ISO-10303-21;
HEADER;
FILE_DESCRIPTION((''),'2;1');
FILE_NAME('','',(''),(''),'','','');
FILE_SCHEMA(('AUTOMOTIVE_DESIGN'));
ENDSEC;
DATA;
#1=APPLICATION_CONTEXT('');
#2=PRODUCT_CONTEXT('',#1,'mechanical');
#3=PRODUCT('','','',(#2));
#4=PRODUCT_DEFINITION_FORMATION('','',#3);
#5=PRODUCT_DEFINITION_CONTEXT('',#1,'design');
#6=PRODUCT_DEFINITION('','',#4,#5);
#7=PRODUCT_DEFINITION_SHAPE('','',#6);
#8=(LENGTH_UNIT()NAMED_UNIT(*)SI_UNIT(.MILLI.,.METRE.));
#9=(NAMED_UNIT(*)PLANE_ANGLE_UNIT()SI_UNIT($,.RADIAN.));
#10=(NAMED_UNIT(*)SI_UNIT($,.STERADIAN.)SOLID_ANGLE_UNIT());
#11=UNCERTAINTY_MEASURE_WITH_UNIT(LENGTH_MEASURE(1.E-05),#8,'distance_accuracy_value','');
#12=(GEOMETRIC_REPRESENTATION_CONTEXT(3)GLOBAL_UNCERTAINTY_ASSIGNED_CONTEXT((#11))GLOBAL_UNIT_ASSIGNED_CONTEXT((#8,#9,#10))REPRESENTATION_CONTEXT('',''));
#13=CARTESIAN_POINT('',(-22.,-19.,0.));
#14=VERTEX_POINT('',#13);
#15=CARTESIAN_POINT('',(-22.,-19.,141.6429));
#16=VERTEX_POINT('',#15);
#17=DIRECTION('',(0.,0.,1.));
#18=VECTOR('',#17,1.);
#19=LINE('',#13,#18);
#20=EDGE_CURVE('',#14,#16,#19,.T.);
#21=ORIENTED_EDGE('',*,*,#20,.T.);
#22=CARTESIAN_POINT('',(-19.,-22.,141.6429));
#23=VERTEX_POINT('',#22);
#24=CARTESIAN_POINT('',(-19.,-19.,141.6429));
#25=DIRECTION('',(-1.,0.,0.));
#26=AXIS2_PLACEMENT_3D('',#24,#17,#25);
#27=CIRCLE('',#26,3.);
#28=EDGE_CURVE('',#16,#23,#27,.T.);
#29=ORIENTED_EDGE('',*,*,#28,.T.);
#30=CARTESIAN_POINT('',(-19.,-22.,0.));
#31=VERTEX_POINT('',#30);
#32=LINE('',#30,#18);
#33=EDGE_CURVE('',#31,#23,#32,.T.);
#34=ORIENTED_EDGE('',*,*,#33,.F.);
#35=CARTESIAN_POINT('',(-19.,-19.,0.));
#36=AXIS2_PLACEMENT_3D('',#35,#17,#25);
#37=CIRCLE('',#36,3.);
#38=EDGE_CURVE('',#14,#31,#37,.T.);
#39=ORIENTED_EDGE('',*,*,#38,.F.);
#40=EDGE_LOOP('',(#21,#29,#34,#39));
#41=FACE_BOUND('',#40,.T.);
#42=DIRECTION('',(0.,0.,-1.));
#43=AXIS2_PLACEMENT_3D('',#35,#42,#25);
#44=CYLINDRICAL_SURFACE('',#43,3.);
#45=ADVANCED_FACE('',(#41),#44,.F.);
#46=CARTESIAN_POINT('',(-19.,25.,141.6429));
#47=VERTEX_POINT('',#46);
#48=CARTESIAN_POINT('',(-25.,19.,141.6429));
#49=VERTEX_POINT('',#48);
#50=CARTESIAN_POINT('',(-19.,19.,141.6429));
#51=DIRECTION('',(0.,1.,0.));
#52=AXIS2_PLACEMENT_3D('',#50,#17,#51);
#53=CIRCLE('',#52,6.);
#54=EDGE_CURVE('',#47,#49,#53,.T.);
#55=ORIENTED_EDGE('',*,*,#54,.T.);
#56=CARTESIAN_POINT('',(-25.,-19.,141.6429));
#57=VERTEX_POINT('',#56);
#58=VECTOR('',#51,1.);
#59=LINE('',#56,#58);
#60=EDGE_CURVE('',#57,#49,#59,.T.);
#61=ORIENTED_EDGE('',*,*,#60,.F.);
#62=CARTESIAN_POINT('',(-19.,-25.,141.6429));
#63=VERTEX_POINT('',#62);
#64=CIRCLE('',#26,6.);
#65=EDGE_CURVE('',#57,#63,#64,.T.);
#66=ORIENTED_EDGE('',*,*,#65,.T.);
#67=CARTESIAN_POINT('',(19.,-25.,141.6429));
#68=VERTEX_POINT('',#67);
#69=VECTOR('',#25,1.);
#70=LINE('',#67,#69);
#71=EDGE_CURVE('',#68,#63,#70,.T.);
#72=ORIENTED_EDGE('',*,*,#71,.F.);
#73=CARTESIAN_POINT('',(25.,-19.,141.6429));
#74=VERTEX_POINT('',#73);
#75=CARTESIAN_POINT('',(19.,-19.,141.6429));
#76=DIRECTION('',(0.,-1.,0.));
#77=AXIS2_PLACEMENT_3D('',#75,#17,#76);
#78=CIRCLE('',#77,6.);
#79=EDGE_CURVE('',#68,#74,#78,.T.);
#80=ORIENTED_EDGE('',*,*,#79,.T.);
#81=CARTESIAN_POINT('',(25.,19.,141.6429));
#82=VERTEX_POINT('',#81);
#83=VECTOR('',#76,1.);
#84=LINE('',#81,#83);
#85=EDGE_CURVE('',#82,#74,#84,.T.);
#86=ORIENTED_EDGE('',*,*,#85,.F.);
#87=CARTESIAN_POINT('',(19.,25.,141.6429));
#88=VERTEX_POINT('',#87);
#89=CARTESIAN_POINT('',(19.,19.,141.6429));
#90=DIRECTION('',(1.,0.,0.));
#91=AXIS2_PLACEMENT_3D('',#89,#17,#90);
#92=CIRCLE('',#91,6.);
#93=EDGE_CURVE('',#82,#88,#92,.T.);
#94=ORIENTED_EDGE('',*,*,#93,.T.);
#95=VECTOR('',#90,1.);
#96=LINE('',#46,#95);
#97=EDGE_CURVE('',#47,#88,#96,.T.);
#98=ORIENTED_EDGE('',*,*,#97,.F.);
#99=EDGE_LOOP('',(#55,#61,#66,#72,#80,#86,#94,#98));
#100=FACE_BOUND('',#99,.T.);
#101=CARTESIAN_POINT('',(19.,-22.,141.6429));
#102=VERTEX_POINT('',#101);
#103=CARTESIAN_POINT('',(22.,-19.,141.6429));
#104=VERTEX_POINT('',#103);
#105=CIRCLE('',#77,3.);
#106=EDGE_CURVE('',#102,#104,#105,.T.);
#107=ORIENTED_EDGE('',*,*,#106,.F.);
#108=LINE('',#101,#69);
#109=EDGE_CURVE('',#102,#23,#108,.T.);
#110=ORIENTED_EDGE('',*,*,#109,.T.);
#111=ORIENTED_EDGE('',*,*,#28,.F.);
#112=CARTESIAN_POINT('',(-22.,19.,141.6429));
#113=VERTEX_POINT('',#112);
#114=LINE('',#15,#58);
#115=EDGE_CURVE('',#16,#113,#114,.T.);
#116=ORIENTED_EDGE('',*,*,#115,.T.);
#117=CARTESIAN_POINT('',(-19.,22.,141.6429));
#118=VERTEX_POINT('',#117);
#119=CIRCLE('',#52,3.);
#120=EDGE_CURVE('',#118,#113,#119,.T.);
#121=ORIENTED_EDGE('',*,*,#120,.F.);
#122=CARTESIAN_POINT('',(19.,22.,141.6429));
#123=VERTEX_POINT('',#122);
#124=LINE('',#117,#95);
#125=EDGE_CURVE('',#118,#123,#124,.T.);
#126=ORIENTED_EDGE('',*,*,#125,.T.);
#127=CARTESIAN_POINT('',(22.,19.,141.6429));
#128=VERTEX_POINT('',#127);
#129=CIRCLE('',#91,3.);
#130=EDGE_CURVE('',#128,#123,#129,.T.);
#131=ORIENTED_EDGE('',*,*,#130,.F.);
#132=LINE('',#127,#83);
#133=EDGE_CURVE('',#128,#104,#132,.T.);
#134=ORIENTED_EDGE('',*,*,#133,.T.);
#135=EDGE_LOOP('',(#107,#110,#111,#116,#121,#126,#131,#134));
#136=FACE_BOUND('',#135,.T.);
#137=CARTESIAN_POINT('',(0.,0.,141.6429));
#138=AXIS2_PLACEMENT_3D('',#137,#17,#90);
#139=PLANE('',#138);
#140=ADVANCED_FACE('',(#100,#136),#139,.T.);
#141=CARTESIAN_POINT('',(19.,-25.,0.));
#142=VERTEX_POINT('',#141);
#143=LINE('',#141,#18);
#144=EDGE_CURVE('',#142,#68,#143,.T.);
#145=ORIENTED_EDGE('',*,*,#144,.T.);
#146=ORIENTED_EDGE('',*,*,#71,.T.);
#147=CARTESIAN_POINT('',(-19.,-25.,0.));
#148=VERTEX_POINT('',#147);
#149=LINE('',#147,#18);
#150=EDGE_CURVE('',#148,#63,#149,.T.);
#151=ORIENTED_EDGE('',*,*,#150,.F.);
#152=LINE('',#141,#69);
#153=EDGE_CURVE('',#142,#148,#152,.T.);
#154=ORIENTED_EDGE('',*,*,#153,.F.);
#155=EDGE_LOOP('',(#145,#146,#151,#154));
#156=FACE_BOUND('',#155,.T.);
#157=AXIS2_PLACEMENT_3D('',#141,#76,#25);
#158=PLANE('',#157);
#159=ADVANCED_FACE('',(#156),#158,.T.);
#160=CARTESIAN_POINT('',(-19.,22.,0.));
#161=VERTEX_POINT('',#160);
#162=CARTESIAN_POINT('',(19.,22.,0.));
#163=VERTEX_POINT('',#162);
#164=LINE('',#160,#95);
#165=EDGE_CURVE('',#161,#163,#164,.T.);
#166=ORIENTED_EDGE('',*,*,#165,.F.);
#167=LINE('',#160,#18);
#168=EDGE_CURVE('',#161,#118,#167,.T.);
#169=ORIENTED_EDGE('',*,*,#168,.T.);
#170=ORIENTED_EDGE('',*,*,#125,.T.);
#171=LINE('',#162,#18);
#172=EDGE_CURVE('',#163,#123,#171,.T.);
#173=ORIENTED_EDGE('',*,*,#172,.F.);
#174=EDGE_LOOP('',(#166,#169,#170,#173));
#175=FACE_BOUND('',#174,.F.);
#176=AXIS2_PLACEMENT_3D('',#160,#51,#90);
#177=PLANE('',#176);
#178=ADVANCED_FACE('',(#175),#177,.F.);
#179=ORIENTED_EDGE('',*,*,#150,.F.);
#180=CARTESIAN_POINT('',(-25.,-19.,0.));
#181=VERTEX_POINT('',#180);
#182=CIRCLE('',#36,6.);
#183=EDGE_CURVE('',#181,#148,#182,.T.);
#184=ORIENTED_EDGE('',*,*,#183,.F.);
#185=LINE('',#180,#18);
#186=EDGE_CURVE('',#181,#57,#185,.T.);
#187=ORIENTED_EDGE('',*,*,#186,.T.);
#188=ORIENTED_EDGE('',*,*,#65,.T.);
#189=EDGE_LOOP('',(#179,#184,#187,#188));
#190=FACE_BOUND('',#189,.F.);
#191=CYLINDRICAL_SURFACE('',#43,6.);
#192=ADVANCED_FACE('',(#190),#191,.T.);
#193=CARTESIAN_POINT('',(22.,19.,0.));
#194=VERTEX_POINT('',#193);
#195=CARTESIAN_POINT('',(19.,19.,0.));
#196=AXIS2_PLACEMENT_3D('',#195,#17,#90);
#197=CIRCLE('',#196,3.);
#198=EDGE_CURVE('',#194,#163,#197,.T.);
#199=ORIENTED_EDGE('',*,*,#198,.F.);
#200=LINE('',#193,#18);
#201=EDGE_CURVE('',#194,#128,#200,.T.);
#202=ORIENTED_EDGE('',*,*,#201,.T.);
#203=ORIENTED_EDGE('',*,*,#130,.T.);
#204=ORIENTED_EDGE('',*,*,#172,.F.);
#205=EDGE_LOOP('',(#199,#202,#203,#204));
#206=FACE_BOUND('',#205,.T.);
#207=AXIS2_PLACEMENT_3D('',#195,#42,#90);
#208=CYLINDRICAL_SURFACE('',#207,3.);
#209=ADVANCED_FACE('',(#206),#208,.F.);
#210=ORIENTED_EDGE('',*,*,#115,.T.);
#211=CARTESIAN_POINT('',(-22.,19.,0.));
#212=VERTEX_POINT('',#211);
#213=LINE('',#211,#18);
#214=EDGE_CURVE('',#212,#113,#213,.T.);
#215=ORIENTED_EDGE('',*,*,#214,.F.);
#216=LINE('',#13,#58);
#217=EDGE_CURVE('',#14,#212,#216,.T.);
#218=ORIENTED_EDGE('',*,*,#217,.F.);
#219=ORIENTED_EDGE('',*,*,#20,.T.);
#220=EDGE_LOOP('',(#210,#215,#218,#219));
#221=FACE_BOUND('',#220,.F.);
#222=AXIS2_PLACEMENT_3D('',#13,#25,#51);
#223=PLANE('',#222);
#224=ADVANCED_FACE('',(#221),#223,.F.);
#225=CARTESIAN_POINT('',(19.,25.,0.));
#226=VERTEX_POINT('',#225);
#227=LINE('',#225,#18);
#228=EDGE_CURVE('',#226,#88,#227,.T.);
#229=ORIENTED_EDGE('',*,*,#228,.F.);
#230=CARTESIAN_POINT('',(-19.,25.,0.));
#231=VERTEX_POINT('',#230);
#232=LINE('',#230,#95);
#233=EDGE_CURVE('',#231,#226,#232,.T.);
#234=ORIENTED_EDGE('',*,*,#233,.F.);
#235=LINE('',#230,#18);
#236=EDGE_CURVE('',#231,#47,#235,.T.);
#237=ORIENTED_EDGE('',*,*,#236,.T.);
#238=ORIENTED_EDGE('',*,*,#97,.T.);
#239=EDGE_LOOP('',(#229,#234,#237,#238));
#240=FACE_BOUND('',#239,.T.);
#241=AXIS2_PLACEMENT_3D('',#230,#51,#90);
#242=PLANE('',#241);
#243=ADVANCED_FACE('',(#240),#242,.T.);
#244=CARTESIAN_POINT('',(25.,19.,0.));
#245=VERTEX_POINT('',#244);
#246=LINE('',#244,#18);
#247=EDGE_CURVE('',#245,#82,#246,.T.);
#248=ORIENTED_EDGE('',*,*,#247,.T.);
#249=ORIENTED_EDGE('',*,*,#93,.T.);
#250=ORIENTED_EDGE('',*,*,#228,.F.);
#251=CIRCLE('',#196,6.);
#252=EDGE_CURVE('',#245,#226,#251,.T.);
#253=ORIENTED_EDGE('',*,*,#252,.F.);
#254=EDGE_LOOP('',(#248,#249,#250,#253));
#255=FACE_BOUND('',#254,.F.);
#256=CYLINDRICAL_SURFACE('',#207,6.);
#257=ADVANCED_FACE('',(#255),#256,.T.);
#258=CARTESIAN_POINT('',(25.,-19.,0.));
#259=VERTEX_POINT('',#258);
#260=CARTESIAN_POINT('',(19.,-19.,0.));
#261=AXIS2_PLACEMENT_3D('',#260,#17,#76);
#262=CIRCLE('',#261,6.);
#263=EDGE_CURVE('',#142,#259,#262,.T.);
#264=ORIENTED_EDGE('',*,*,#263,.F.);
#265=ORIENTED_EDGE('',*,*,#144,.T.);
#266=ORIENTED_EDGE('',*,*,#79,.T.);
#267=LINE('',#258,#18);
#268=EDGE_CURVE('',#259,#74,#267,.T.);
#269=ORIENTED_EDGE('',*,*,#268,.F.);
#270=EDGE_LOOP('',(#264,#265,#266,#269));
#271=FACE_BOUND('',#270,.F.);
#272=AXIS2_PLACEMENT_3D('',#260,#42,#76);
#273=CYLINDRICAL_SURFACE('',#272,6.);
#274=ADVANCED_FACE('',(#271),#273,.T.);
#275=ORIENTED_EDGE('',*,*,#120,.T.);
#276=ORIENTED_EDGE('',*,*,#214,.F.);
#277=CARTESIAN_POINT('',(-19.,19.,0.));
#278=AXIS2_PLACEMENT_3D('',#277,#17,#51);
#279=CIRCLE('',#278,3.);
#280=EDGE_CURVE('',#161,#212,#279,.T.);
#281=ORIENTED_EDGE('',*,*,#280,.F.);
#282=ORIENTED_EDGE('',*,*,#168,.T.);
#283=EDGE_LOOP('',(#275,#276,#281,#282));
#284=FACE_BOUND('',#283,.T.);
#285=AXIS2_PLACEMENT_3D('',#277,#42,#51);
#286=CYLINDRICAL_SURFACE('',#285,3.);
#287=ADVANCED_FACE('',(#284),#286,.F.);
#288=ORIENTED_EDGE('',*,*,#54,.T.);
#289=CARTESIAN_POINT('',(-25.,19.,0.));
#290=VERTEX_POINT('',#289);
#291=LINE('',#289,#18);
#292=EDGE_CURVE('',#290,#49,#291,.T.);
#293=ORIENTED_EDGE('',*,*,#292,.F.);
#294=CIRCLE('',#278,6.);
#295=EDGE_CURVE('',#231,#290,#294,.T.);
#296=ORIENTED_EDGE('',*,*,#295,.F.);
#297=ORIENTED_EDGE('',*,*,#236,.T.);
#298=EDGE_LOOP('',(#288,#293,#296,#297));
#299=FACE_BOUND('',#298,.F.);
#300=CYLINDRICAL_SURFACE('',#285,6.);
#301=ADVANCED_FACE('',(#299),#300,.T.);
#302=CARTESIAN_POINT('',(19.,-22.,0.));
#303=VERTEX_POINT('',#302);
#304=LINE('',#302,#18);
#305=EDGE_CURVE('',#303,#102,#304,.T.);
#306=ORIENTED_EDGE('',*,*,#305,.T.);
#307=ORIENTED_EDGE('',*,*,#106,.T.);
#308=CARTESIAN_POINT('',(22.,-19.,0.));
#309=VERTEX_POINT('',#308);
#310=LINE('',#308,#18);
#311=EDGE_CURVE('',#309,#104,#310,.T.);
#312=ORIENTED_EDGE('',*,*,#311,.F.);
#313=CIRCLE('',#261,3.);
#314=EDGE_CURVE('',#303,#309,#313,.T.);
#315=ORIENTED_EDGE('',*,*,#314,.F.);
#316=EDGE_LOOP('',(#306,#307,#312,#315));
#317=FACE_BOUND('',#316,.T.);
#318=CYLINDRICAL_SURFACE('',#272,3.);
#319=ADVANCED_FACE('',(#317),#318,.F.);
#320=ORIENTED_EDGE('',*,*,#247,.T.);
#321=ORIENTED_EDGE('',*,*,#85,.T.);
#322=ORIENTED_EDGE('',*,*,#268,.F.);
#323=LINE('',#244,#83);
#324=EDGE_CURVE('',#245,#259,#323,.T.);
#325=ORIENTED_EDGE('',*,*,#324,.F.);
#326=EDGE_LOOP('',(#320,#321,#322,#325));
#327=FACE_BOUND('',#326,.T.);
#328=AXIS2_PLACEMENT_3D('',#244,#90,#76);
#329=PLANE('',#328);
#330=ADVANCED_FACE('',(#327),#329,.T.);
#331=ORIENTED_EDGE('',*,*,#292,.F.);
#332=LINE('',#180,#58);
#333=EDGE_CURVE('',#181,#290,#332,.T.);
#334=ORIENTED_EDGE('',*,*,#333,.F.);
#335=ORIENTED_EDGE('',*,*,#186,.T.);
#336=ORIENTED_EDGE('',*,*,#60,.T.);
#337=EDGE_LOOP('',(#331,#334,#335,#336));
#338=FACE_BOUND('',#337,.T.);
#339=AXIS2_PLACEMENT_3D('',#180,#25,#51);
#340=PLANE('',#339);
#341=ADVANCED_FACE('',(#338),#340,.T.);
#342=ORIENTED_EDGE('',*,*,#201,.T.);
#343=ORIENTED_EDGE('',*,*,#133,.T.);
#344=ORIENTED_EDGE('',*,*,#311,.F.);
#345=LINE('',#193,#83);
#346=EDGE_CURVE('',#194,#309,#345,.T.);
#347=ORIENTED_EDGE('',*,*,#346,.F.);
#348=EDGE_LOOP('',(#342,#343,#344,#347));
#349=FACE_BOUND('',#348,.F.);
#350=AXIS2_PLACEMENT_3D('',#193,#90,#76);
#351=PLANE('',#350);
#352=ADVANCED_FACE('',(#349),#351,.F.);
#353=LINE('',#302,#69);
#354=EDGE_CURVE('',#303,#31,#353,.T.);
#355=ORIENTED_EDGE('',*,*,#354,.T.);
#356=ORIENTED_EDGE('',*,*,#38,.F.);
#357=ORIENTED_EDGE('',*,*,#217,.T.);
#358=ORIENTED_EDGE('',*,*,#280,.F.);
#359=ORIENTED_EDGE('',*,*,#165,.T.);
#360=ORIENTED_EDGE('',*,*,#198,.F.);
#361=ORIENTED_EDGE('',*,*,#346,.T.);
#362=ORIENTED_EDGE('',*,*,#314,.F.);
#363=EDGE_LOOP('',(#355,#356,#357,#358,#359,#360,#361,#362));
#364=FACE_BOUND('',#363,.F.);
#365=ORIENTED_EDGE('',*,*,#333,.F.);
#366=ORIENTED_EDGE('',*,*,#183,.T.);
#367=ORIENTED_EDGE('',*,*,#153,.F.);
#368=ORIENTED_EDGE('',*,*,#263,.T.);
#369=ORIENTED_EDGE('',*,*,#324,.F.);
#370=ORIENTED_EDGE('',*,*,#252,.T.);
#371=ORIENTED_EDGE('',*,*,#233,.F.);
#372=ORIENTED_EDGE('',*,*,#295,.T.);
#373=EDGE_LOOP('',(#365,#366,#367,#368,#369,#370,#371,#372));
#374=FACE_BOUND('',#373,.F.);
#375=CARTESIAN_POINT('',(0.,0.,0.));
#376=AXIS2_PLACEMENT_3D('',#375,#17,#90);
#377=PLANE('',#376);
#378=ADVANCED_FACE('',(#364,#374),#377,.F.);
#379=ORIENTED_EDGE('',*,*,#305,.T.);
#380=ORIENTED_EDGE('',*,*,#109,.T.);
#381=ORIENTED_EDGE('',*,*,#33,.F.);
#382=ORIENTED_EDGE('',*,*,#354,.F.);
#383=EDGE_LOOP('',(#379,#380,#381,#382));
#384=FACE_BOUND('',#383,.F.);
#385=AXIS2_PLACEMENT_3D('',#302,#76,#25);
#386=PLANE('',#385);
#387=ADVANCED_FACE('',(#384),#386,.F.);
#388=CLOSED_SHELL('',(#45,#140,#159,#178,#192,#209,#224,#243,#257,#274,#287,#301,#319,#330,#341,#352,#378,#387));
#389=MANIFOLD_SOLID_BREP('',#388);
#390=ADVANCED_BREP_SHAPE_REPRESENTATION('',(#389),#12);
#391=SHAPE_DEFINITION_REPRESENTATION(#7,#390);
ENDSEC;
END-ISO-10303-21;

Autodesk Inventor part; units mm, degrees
ref_plane "YZ Plane" through (0, 0, 0) normal (1, 0, 0) x (0, 1, 0)
ref_plane "Start Plane" through (0, 0, 0) normal (0, 0, 1) x (1, 0, 0)
ref_plane "End Plane" through (0, 0, 141.6429) normal (0, 0, 1) x (1, 0, 0)
sketch "Sketch" plane through (0, 0, 0) normal (0, 0, 1) x (1, 0, 0)
  line L0 (-25, -19) -> (-25, 19)
  line L1 (-19, 25) -> (19, 25)
  line L2 (25, 19) -> (25, -19)
  line L3 (19, -25) -> (-19, -25)
  arc A0 (-25, -19) -> (-19, -25) centre (-19, -19) ccw
  arc A1 (25, 19) -> (19, 25) centre (19, 19) ccw
  arc A2 (-19, 25) -> (-25, 19) centre (-19, 19) ccw
  arc A3 (19, -25) -> (25, -19) centre (19, -19) ccw
  arc A4 (-19, 22) -> (-22, 19) centre (-19, 19) ccw
  line L4 (-19, 22) -> (19, 22)
  arc A5 (22, 19) -> (19, 22) centre (19, 19) ccw
  line L5 (22, 19) -> (22, -19)
  arc A6 (19, -22) -> (22, -19) centre (19, -19) ccw
  line L6 (19, -22) -> (-19, -22)
  arc A7 (-22, -19) -> (-19, -22) centre (-19, -19) ccw
  line L7 (-22, -19) -> (-22, 19)
  line L8 (0, 36.7397) -> (0, -36.7397) construction
  line L9 (-36.7397, 0) -> (36.7397, 0) construction
  dimension "d7" = 6
  dimension "d9" = 50
  dimension "d11" = 50
  dimension "d12" = 3
  dimension "d15" = 25
  dimension "d16" = 25
extrude "Body" add sketch "Sketch" along normal up to surface (141.6429 mm away) from surface at 0
sketch "Sketch3" plane through (0, 0, 0) normal (0, 0, 1) x (1, 0, 0)
  line L0 (0, 0) -> (10, 0)
ref_plane "Work Plane3" through (0, 0, 0) normal (0, -1, 0) x (1, 0, 0)
sketch "Sketch4" plane through (0, 0, 0) normal (0, -1, 0) x (1, 0, 0)
  line L0 (-2, 0) -> (12, 0) projected
  line L1 (-2, 141.6429) -> (12, 141.6429) projected
  dimension "d18" = 141.6429
equation "\"d7\" = G_IR"
equation "\"d9\" = G_W"
equation "\"d11\" = G_H"
equation "\"d12\" = G_T"
equation "\"d15\" = 0.5 * d9"
equation "\"d16\" = 0.5 * d11"
equation "\"d3\" = G_L"
equation "\"G_W\" = 50"
equation "\"G_H\" = 50"
equation "\"G_T\" = 3"
equation "\"G_IR\" = 6"
equation "\"G_L\" = d18"
equation "\"G_OFFSET_START\" = 0"
equation "\"G_OFFSET_END\" = 0"
equation "\"d14\" = G_OFFSET_END + B_L"
equation "\"B_L\" = 141.64292"
properties part number "ISO 4019 - 50x50x3 - 141,64" material "Steel, Mild"
